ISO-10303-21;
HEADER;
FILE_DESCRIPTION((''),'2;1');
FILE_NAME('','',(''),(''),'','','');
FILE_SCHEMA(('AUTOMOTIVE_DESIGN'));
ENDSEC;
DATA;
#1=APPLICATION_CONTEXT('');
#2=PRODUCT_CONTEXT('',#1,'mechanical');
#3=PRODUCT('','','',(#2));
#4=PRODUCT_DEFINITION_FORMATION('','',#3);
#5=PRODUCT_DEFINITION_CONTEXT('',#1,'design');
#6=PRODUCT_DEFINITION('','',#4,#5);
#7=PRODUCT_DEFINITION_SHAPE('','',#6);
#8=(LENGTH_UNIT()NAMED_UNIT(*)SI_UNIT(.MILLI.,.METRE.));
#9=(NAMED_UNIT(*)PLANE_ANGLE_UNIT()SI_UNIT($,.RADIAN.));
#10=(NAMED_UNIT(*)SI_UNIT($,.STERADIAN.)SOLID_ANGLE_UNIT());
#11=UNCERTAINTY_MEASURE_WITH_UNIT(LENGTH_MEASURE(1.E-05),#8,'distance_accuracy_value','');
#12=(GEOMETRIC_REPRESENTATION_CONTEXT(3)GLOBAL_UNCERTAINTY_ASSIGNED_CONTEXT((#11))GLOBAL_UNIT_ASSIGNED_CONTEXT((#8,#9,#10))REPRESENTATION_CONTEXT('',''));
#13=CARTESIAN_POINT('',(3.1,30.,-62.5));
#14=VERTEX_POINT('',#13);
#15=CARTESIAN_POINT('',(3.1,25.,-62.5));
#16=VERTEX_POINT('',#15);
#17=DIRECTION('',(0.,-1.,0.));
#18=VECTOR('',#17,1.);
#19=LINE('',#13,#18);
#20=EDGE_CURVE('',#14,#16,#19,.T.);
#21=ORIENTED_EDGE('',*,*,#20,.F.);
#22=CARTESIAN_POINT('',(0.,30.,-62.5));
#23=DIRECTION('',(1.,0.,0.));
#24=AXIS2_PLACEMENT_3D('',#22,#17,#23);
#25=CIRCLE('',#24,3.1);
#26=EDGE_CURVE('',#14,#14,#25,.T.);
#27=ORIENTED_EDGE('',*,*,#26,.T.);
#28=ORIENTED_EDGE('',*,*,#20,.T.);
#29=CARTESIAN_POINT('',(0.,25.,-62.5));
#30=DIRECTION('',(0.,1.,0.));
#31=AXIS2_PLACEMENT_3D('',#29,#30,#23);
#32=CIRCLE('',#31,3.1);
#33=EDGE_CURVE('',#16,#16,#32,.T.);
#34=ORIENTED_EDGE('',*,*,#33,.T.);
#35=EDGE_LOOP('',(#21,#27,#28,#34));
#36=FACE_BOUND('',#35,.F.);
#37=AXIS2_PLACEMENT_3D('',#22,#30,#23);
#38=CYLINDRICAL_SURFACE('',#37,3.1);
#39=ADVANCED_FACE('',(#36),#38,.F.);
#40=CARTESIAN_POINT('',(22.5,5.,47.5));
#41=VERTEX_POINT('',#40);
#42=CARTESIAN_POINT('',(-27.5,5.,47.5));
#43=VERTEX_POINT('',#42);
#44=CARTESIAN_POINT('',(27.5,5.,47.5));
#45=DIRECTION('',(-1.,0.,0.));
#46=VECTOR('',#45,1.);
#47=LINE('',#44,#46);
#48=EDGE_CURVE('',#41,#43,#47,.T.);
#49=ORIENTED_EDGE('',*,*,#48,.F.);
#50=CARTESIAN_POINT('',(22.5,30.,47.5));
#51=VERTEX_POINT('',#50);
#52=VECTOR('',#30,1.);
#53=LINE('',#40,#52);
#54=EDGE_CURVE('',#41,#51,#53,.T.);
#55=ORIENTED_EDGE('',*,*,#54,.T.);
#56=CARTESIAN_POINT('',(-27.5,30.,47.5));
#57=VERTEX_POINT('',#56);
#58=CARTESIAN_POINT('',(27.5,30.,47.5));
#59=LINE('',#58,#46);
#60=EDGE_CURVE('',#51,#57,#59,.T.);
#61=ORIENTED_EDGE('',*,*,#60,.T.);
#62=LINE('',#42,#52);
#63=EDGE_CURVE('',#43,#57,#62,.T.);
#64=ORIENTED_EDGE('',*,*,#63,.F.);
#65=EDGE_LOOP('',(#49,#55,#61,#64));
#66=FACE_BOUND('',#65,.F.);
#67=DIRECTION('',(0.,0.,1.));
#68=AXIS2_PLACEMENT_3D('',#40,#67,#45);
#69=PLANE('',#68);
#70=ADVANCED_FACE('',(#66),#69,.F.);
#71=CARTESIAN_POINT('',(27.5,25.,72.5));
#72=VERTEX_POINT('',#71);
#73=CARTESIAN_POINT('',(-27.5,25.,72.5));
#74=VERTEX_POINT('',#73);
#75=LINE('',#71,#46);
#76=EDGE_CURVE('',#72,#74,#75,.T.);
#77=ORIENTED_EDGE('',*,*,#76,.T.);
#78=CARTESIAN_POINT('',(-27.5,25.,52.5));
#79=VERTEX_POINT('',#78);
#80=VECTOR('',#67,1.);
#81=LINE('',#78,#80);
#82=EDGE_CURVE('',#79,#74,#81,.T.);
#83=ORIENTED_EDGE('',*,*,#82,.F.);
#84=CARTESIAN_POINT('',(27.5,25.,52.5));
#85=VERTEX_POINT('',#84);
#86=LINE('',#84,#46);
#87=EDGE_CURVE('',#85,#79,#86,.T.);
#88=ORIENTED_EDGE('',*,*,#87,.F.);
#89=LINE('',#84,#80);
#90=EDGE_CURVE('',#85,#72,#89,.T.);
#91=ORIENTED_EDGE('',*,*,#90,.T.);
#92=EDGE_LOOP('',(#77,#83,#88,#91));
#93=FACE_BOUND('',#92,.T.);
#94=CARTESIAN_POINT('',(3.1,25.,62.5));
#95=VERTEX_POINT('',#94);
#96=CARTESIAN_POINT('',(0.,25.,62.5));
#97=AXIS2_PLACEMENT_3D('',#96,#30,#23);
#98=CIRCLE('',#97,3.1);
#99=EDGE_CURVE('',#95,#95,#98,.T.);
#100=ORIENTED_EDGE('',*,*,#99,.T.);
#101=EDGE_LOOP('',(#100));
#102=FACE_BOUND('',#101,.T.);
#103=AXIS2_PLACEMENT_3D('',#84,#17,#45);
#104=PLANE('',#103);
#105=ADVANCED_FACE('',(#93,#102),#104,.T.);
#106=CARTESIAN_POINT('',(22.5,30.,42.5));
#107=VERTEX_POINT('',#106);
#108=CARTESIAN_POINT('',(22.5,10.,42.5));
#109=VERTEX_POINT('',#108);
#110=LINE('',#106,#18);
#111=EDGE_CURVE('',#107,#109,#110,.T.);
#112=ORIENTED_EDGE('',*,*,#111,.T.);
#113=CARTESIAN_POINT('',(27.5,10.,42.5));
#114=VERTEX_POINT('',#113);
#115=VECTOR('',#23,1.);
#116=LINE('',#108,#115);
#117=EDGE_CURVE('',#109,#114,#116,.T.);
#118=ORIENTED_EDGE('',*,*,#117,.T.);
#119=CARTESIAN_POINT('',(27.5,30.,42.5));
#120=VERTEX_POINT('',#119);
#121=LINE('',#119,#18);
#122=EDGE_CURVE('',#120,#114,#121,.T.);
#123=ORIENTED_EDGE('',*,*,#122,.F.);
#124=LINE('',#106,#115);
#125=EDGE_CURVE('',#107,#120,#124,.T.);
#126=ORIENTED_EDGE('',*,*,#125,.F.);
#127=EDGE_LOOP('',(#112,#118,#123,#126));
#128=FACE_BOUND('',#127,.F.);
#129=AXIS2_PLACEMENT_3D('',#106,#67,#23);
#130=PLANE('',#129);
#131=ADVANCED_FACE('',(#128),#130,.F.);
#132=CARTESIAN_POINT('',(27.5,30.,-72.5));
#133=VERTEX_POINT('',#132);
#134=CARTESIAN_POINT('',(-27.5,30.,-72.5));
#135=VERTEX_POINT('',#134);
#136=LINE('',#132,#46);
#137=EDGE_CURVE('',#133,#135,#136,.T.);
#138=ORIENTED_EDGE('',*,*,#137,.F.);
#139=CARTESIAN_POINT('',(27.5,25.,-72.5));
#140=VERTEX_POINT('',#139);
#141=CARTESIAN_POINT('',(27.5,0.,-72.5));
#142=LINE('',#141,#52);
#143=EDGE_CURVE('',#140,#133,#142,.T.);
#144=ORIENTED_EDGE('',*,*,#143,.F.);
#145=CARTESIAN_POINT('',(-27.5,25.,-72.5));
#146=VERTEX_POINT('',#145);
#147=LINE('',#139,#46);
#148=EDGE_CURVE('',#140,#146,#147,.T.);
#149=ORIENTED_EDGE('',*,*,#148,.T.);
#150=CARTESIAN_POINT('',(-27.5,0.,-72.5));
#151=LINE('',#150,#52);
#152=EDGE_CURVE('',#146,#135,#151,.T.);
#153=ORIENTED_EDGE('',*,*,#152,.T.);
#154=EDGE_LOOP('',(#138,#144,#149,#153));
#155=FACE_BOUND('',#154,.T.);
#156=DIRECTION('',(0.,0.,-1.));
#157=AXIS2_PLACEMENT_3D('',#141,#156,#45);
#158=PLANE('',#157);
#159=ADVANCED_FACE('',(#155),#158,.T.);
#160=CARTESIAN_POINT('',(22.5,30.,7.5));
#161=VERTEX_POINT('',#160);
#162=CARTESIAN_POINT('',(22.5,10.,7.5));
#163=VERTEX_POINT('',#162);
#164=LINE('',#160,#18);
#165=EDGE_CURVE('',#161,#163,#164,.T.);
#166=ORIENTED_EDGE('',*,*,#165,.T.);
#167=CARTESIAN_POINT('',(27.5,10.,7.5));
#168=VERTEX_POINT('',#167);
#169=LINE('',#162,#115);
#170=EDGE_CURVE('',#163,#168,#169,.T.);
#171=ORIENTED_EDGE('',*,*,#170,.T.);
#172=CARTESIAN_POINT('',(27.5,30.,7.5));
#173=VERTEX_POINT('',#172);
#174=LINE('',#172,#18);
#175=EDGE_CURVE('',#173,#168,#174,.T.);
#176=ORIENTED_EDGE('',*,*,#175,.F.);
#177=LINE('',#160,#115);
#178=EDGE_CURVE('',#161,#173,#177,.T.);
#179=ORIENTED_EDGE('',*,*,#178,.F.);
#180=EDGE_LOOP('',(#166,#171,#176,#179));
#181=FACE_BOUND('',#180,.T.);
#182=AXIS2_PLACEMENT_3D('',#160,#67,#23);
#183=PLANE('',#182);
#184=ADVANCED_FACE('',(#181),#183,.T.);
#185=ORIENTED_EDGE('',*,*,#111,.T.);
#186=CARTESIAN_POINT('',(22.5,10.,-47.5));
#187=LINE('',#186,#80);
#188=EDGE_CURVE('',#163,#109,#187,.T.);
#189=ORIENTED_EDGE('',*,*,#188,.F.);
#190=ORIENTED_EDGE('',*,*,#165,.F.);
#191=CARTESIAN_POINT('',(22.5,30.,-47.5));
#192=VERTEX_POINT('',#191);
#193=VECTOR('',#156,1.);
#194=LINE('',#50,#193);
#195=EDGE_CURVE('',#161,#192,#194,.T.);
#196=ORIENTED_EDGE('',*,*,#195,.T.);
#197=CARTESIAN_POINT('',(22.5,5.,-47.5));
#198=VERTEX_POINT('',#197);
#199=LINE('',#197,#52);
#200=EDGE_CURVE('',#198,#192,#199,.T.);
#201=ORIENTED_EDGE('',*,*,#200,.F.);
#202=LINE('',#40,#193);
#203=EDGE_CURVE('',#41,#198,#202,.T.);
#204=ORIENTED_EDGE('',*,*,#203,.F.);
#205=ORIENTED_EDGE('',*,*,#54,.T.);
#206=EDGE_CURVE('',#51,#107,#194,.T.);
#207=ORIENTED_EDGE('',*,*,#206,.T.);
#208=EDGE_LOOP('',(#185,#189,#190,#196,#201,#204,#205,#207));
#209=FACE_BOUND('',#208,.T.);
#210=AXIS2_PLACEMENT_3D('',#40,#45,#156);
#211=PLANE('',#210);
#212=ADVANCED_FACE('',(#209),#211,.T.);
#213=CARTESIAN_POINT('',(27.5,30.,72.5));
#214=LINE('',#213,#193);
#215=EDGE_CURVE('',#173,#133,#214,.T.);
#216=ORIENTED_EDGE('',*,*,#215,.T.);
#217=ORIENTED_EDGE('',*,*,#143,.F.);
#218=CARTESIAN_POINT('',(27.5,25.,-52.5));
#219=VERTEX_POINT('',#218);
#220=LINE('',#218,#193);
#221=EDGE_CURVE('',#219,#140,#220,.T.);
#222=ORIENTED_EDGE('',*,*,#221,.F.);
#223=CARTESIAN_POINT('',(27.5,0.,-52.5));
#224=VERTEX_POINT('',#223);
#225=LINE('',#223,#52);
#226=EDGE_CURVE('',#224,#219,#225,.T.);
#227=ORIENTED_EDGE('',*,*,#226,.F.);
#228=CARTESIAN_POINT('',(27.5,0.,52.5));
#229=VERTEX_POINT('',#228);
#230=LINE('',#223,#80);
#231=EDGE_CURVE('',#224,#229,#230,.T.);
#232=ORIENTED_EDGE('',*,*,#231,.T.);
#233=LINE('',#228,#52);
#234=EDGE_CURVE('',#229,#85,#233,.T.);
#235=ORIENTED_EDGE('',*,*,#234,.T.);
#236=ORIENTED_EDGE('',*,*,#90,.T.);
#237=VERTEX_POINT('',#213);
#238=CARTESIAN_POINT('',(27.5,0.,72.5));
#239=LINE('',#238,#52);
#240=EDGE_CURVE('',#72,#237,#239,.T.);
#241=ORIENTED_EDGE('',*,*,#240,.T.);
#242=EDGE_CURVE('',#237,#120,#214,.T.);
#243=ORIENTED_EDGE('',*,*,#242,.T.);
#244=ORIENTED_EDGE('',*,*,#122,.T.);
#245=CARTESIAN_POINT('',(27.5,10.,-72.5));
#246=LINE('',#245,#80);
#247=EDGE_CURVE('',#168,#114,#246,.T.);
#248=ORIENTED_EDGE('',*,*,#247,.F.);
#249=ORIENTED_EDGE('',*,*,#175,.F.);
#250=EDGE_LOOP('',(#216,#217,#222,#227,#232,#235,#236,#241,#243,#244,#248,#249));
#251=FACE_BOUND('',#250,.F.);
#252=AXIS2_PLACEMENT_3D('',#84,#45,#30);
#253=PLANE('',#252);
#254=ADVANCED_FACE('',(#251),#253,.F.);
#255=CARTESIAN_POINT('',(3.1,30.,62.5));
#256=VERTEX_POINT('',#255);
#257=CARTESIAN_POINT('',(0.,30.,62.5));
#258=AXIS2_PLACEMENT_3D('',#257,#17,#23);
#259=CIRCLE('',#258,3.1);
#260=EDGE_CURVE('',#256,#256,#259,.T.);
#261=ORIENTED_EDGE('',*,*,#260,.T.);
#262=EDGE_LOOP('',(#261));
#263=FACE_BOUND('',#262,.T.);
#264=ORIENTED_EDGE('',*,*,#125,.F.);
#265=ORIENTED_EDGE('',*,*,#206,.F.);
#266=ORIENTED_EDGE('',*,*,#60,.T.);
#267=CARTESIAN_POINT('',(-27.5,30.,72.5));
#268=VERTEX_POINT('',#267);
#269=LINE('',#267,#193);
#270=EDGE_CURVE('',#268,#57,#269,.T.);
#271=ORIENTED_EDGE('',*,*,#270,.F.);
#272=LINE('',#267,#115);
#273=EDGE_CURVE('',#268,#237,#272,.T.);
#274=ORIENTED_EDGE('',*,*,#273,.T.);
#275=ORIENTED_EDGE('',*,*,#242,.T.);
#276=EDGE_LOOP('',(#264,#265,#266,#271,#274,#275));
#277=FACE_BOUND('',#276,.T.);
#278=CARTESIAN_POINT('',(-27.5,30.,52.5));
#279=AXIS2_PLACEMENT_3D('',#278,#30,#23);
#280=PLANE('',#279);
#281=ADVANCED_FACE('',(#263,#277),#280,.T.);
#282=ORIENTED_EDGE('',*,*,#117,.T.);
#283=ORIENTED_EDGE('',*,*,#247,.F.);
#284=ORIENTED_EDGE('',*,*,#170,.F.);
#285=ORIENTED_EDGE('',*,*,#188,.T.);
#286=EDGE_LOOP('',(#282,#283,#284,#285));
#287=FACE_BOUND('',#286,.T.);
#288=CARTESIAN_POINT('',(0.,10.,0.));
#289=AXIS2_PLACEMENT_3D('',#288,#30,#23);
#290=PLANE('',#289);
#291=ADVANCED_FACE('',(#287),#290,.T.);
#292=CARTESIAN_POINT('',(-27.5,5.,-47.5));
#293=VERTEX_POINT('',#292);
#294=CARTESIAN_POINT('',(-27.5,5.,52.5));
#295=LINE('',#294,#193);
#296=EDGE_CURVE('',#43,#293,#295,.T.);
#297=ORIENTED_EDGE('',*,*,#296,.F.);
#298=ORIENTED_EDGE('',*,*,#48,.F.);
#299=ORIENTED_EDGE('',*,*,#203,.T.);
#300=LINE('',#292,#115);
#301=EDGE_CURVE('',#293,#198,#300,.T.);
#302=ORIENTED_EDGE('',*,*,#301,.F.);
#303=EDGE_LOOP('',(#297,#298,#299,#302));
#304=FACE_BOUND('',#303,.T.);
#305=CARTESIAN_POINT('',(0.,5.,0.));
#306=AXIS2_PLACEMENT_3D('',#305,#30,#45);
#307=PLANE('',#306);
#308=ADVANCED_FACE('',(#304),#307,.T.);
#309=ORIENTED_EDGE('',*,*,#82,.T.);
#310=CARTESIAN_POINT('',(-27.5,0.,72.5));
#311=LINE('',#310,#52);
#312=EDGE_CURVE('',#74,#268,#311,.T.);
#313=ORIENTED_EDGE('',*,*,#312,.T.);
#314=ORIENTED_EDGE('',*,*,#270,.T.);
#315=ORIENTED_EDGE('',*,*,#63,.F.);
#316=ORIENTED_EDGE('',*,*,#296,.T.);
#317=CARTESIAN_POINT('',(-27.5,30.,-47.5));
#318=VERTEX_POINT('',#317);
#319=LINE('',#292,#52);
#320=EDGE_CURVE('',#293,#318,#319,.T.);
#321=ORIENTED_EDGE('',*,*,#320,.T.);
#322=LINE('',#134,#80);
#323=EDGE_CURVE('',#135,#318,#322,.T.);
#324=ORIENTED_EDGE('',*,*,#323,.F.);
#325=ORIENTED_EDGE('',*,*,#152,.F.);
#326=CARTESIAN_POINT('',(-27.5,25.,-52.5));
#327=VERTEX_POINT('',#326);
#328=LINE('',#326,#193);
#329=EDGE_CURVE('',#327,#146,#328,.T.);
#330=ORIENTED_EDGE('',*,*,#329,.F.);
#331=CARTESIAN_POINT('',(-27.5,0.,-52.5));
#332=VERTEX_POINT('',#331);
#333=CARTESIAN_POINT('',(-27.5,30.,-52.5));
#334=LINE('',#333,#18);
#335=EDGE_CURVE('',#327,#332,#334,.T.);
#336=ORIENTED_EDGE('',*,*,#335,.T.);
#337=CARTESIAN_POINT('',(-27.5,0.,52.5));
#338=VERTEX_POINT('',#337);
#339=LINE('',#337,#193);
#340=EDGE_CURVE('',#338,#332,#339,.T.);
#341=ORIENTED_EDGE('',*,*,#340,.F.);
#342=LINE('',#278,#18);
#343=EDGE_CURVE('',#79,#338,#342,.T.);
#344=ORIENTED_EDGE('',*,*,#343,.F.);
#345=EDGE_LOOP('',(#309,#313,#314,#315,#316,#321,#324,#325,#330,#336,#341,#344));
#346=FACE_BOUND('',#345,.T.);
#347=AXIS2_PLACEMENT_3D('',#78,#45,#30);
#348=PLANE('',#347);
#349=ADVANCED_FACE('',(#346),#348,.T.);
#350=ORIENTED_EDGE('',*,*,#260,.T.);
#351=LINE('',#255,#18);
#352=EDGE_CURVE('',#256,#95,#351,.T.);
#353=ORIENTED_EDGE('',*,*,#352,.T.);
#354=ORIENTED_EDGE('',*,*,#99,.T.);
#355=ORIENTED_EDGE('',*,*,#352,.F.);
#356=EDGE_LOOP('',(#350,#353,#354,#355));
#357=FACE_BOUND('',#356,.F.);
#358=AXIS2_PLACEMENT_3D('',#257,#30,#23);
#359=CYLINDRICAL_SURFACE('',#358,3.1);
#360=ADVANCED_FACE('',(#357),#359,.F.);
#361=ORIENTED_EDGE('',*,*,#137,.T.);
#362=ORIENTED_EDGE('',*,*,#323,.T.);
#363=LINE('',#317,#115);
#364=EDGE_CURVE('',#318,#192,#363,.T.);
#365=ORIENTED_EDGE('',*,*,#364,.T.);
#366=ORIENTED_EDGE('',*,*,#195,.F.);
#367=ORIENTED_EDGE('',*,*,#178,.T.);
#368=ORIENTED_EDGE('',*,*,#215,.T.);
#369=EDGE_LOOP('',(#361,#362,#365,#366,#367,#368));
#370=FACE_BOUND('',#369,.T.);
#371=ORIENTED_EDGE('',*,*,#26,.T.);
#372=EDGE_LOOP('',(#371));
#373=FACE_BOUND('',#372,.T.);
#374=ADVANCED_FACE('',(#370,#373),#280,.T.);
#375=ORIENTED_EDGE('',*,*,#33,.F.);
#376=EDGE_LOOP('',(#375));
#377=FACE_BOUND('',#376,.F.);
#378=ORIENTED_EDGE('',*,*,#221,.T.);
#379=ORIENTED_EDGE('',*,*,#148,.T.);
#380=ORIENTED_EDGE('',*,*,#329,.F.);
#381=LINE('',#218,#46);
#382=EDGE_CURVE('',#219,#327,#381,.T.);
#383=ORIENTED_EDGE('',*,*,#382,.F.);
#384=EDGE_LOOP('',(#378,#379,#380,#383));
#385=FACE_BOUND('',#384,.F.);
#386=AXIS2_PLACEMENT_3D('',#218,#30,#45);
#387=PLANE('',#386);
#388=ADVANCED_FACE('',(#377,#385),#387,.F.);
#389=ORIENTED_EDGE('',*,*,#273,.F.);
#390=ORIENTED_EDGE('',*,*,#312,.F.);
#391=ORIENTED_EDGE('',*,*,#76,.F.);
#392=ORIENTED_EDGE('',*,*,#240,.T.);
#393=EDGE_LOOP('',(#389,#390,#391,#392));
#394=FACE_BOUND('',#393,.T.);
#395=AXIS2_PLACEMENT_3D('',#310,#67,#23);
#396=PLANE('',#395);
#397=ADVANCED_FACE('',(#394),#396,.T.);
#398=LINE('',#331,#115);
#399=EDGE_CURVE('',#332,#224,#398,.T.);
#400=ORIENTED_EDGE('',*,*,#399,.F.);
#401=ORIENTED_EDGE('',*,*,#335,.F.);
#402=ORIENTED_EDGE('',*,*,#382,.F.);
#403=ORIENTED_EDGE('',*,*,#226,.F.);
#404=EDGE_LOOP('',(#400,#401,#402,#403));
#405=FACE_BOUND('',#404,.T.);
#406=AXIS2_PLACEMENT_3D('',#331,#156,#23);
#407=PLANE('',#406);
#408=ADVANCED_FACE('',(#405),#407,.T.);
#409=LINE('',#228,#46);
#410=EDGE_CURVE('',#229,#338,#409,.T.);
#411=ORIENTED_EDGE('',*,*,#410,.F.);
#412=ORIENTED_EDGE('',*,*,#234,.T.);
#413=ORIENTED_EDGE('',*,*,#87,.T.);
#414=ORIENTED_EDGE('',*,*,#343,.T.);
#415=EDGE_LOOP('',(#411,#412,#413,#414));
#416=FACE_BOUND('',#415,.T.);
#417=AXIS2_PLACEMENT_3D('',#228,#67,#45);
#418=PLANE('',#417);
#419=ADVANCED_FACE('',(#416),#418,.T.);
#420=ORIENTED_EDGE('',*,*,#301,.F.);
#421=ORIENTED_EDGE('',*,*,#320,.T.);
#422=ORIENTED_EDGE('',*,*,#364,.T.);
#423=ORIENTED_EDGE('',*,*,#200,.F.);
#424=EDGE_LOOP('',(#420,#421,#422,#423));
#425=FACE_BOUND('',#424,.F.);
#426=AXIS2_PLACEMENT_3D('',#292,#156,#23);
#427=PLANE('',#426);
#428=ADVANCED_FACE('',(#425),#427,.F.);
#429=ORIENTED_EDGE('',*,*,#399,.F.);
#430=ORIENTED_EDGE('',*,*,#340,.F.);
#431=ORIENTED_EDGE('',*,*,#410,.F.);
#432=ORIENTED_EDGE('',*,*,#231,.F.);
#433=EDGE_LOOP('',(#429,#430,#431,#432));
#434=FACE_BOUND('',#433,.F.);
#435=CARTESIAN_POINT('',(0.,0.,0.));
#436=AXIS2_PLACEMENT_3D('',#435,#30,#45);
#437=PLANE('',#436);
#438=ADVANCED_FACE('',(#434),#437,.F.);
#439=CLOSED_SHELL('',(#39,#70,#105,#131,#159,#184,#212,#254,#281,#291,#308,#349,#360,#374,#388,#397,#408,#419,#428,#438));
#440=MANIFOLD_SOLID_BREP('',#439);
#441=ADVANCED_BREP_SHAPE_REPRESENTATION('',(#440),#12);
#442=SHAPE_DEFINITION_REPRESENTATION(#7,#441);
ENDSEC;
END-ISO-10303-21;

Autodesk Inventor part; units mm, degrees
ref_plane "YZ Plane" through (0, 0, 0) normal (1, 0, 0) x (0, 1, 0)
ref_plane "XZ Plane" through (0, 0, 0) normal (0, 1, 0) x (-1, 0, 0)
ref_plane "XY Plane" through (0, 0, 0) normal (0, 0, 1) x (1, 0, 0)
sketch "Skizze1" plane through (0, 0, 0) normal (0, 1, 0) x (-1, 0, 0)
  line L0 (-27.5, 52.5) -> (27.5, 52.5)
  line L1 (27.5, 52.5) -> (27.5, -52.5)
  line L2 (27.5, -52.5) -> (-27.5, -52.5)
  line L3 (-27.5, -52.5) -> (-27.5, 52.5)
  line L4 (-27.5, 52.5) -> (27.5, -52.5) construction
  line L5 (27.5, 52.5) -> (-27.5, -52.5) construction
  point P0 (0, 0)
  dimension "d0" = 55
  dimension "d1" = 105
extrude "Extrusion1" add sketch "Skizze1" along normal blind 5
sketch "Skizze2" plane through (0, 5, 0) normal (0, 1, 0) x (1, 0, 0)
  line L0 (27.5, 52.5) -> (-27.5, 52.5) projected
  line L1 (-27.5, 52.5) -> (-27.5, -52.5) projected
  line L2 (-27.5, -52.5) -> (27.5, -52.5) projected
  line L3 (27.5, -52.5) -> (27.5, 52.5) projected
  line L4 (-27.5, -52.5) -> (27.5, -52.5)
  line L5 (27.5, -52.5) -> (27.5, -47.5)
  line L6 (27.5, -47.5) -> (-27.5, -47.5)
  line L7 (-27.5, -47.5) -> (-27.5, -52.5)
  line L8 (27.5, -47.5) -> (22.5, -47.5)
  line L9 (22.5, -47.5) -> (22.5, 52.5)
  line L10 (22.5, 52.5) -> (27.5, 52.5)
  line L11 (27.5, 52.5) -> (27.5, -47.5)
  line L12 (22.5, 52.5) -> (-27.5, 52.5)
  line L13 (-27.5, 52.5) -> (-27.5, 47.5)
  line L14 (-27.5, 47.5) -> (22.5, 47.5)
  line L15 (22.5, 47.5) -> (22.5, 52.5)
  point P0 (0, 0)
  dimension "d4" = 5
  dimension "d5" = 5
  dimension "d6" = 5
extrude "Extrusion2" add sketch "Skizze2" along normal blind 25 contours L3 L6 L9 L0 | L9 L14 L1 L0 | L3 L2 L1 L6
sketch "Skizze3" plane through (27.5, 0, -52.5) normal (0, 0, -1) x (-1, 0, 0)
  line L0 (0, 0) -> (55, 0) projected
  line L1 (55, 0) -> (55, 30) projected
  line L2 (0, 30) -> (55, 30) projected
  line L3 (0, 0) -> (0, 30) projected
  line L4 (55, 30) -> (0, 30)
  line L5 (0, 30) -> (0, 25)
  line L6 (0, 25) -> (55, 25)
  line L7 (55, 25) -> (55, 30)
  point P0 (27.5, 0)
  dimension "d9" = 5
extrude "Extrusion3" add sketch "Skizze3" along normal blind 20 contours L3 L2 L1 L6
sketch "Skizze4" plane through (-27.5, 0, 52.5) normal (0, 0, 1) x (1, 0, 0)
  line L0 (0, 0) -> (55, 0) projected
  line L1 (55, 0) -> (55, 30) projected
  line L2 (0, 30) -> (55, 30) projected
  line L3 (0, 0) -> (0, 30) projected
  line L4 (55, 25) -> (0, 25) projected
  line L5 (0, 30) -> (55, 30)
  line L6 (55, 30) -> (55, 25)
  line L7 (55, 25) -> (0, 25)
  line L8 (0, 25) -> (0, 30)
  point P0 (27.5, 0)
  dimension "d12" = 5
extrude "Extrusion4" add sketch "Skizze4" along normal blind 20 contours L3 L2 L1 L4
sketch "Skizze5" plane through (0, 30, 0) normal (0, 1, 0) x (1, 0, 0)
  line L0 (-27.5, -47.5) -> (-27.5, -72.5) projected
  line L1 (27.5, -72.5) -> (-27.5, -72.5) projected
  line L2 (27.5, 72.5) -> (27.5, -72.5) projected
  line L3 (-27.5, 72.5) -> (27.5, 72.5) projected
  line L4 (-27.5, 47.5) -> (-27.5, 72.5) projected
  line L5 (-27.5, 47.5) -> (22.5, 47.5) projected
  line L6 (22.5, 47.5) -> (22.5, -47.5) projected
  line L7 (22.5, -47.5) -> (-27.5, -47.5) projected
  line L8 (0, 72.5) -> (0, 62.5)
  circle A0 centre (0, 62.5) radius 3.1
  line L9 (0, -72.5) -> (0, -62.5)
  circle A1 centre (0, -62.5) radius 3.1
  point P0 (0, 0)
  dimension "d15" = 10
  dimension "d16" = 6.2
  dimension "d17" = 10
  dimension "d18" = 6.2
extrude "Extrusion5" cut sketch "Skizze5" against normal blind 20 contours A1 | A0
sketch "Skizze6" plane through (0, 30, 0) normal (0, 1, 0) x (1, 0, 0)
  circle A0 centre (0, 62.5) radius 3.1 projected
  circle A1 centre (0, -62.5) radius 3.1 projected
  line L0 (-27.5, -47.5) -> (-27.5, -72.5) projected
  line L1 (27.5, -72.5) -> (-27.5, -72.5) projected
  line L2 (27.5, 72.5) -> (27.5, -72.5) projected
  line L3 (-27.5, 72.5) -> (27.5, 72.5) projected
  line L4 (-27.5, 47.5) -> (-27.5, 72.5) projected
  line L5 (-27.5, 47.5) -> (22.5, 47.5) projected
  line L6 (22.5, 47.5) -> (22.5, -47.5) projected
  line L7 (22.5, -47.5) -> (-27.5, -47.5) projected
  line L8 (22.5, -47.5) -> (27.5, -47.5)
  line L9 (22.5, -47.5) -> (22.5, -42.5)
  line L10 (22.5, -42.5) -> (27.5, -42.5)
  line L11 (22.5, -42.5) -> (22.5, -7.5)
  line L12 (22.5, 47.5) -> (22.5, -47.5) projected
  line L13 (22.5, -7.5) -> (27.5, -7.5)
  point P0 (0, 0)
  dimension "d21" = 5
  dimension "d22" = 35
extrude "Extrusion6" cut sketch "Skizze6" against normal blind 20 contours L6 L13 L2 L10
properties part number "Hub"
